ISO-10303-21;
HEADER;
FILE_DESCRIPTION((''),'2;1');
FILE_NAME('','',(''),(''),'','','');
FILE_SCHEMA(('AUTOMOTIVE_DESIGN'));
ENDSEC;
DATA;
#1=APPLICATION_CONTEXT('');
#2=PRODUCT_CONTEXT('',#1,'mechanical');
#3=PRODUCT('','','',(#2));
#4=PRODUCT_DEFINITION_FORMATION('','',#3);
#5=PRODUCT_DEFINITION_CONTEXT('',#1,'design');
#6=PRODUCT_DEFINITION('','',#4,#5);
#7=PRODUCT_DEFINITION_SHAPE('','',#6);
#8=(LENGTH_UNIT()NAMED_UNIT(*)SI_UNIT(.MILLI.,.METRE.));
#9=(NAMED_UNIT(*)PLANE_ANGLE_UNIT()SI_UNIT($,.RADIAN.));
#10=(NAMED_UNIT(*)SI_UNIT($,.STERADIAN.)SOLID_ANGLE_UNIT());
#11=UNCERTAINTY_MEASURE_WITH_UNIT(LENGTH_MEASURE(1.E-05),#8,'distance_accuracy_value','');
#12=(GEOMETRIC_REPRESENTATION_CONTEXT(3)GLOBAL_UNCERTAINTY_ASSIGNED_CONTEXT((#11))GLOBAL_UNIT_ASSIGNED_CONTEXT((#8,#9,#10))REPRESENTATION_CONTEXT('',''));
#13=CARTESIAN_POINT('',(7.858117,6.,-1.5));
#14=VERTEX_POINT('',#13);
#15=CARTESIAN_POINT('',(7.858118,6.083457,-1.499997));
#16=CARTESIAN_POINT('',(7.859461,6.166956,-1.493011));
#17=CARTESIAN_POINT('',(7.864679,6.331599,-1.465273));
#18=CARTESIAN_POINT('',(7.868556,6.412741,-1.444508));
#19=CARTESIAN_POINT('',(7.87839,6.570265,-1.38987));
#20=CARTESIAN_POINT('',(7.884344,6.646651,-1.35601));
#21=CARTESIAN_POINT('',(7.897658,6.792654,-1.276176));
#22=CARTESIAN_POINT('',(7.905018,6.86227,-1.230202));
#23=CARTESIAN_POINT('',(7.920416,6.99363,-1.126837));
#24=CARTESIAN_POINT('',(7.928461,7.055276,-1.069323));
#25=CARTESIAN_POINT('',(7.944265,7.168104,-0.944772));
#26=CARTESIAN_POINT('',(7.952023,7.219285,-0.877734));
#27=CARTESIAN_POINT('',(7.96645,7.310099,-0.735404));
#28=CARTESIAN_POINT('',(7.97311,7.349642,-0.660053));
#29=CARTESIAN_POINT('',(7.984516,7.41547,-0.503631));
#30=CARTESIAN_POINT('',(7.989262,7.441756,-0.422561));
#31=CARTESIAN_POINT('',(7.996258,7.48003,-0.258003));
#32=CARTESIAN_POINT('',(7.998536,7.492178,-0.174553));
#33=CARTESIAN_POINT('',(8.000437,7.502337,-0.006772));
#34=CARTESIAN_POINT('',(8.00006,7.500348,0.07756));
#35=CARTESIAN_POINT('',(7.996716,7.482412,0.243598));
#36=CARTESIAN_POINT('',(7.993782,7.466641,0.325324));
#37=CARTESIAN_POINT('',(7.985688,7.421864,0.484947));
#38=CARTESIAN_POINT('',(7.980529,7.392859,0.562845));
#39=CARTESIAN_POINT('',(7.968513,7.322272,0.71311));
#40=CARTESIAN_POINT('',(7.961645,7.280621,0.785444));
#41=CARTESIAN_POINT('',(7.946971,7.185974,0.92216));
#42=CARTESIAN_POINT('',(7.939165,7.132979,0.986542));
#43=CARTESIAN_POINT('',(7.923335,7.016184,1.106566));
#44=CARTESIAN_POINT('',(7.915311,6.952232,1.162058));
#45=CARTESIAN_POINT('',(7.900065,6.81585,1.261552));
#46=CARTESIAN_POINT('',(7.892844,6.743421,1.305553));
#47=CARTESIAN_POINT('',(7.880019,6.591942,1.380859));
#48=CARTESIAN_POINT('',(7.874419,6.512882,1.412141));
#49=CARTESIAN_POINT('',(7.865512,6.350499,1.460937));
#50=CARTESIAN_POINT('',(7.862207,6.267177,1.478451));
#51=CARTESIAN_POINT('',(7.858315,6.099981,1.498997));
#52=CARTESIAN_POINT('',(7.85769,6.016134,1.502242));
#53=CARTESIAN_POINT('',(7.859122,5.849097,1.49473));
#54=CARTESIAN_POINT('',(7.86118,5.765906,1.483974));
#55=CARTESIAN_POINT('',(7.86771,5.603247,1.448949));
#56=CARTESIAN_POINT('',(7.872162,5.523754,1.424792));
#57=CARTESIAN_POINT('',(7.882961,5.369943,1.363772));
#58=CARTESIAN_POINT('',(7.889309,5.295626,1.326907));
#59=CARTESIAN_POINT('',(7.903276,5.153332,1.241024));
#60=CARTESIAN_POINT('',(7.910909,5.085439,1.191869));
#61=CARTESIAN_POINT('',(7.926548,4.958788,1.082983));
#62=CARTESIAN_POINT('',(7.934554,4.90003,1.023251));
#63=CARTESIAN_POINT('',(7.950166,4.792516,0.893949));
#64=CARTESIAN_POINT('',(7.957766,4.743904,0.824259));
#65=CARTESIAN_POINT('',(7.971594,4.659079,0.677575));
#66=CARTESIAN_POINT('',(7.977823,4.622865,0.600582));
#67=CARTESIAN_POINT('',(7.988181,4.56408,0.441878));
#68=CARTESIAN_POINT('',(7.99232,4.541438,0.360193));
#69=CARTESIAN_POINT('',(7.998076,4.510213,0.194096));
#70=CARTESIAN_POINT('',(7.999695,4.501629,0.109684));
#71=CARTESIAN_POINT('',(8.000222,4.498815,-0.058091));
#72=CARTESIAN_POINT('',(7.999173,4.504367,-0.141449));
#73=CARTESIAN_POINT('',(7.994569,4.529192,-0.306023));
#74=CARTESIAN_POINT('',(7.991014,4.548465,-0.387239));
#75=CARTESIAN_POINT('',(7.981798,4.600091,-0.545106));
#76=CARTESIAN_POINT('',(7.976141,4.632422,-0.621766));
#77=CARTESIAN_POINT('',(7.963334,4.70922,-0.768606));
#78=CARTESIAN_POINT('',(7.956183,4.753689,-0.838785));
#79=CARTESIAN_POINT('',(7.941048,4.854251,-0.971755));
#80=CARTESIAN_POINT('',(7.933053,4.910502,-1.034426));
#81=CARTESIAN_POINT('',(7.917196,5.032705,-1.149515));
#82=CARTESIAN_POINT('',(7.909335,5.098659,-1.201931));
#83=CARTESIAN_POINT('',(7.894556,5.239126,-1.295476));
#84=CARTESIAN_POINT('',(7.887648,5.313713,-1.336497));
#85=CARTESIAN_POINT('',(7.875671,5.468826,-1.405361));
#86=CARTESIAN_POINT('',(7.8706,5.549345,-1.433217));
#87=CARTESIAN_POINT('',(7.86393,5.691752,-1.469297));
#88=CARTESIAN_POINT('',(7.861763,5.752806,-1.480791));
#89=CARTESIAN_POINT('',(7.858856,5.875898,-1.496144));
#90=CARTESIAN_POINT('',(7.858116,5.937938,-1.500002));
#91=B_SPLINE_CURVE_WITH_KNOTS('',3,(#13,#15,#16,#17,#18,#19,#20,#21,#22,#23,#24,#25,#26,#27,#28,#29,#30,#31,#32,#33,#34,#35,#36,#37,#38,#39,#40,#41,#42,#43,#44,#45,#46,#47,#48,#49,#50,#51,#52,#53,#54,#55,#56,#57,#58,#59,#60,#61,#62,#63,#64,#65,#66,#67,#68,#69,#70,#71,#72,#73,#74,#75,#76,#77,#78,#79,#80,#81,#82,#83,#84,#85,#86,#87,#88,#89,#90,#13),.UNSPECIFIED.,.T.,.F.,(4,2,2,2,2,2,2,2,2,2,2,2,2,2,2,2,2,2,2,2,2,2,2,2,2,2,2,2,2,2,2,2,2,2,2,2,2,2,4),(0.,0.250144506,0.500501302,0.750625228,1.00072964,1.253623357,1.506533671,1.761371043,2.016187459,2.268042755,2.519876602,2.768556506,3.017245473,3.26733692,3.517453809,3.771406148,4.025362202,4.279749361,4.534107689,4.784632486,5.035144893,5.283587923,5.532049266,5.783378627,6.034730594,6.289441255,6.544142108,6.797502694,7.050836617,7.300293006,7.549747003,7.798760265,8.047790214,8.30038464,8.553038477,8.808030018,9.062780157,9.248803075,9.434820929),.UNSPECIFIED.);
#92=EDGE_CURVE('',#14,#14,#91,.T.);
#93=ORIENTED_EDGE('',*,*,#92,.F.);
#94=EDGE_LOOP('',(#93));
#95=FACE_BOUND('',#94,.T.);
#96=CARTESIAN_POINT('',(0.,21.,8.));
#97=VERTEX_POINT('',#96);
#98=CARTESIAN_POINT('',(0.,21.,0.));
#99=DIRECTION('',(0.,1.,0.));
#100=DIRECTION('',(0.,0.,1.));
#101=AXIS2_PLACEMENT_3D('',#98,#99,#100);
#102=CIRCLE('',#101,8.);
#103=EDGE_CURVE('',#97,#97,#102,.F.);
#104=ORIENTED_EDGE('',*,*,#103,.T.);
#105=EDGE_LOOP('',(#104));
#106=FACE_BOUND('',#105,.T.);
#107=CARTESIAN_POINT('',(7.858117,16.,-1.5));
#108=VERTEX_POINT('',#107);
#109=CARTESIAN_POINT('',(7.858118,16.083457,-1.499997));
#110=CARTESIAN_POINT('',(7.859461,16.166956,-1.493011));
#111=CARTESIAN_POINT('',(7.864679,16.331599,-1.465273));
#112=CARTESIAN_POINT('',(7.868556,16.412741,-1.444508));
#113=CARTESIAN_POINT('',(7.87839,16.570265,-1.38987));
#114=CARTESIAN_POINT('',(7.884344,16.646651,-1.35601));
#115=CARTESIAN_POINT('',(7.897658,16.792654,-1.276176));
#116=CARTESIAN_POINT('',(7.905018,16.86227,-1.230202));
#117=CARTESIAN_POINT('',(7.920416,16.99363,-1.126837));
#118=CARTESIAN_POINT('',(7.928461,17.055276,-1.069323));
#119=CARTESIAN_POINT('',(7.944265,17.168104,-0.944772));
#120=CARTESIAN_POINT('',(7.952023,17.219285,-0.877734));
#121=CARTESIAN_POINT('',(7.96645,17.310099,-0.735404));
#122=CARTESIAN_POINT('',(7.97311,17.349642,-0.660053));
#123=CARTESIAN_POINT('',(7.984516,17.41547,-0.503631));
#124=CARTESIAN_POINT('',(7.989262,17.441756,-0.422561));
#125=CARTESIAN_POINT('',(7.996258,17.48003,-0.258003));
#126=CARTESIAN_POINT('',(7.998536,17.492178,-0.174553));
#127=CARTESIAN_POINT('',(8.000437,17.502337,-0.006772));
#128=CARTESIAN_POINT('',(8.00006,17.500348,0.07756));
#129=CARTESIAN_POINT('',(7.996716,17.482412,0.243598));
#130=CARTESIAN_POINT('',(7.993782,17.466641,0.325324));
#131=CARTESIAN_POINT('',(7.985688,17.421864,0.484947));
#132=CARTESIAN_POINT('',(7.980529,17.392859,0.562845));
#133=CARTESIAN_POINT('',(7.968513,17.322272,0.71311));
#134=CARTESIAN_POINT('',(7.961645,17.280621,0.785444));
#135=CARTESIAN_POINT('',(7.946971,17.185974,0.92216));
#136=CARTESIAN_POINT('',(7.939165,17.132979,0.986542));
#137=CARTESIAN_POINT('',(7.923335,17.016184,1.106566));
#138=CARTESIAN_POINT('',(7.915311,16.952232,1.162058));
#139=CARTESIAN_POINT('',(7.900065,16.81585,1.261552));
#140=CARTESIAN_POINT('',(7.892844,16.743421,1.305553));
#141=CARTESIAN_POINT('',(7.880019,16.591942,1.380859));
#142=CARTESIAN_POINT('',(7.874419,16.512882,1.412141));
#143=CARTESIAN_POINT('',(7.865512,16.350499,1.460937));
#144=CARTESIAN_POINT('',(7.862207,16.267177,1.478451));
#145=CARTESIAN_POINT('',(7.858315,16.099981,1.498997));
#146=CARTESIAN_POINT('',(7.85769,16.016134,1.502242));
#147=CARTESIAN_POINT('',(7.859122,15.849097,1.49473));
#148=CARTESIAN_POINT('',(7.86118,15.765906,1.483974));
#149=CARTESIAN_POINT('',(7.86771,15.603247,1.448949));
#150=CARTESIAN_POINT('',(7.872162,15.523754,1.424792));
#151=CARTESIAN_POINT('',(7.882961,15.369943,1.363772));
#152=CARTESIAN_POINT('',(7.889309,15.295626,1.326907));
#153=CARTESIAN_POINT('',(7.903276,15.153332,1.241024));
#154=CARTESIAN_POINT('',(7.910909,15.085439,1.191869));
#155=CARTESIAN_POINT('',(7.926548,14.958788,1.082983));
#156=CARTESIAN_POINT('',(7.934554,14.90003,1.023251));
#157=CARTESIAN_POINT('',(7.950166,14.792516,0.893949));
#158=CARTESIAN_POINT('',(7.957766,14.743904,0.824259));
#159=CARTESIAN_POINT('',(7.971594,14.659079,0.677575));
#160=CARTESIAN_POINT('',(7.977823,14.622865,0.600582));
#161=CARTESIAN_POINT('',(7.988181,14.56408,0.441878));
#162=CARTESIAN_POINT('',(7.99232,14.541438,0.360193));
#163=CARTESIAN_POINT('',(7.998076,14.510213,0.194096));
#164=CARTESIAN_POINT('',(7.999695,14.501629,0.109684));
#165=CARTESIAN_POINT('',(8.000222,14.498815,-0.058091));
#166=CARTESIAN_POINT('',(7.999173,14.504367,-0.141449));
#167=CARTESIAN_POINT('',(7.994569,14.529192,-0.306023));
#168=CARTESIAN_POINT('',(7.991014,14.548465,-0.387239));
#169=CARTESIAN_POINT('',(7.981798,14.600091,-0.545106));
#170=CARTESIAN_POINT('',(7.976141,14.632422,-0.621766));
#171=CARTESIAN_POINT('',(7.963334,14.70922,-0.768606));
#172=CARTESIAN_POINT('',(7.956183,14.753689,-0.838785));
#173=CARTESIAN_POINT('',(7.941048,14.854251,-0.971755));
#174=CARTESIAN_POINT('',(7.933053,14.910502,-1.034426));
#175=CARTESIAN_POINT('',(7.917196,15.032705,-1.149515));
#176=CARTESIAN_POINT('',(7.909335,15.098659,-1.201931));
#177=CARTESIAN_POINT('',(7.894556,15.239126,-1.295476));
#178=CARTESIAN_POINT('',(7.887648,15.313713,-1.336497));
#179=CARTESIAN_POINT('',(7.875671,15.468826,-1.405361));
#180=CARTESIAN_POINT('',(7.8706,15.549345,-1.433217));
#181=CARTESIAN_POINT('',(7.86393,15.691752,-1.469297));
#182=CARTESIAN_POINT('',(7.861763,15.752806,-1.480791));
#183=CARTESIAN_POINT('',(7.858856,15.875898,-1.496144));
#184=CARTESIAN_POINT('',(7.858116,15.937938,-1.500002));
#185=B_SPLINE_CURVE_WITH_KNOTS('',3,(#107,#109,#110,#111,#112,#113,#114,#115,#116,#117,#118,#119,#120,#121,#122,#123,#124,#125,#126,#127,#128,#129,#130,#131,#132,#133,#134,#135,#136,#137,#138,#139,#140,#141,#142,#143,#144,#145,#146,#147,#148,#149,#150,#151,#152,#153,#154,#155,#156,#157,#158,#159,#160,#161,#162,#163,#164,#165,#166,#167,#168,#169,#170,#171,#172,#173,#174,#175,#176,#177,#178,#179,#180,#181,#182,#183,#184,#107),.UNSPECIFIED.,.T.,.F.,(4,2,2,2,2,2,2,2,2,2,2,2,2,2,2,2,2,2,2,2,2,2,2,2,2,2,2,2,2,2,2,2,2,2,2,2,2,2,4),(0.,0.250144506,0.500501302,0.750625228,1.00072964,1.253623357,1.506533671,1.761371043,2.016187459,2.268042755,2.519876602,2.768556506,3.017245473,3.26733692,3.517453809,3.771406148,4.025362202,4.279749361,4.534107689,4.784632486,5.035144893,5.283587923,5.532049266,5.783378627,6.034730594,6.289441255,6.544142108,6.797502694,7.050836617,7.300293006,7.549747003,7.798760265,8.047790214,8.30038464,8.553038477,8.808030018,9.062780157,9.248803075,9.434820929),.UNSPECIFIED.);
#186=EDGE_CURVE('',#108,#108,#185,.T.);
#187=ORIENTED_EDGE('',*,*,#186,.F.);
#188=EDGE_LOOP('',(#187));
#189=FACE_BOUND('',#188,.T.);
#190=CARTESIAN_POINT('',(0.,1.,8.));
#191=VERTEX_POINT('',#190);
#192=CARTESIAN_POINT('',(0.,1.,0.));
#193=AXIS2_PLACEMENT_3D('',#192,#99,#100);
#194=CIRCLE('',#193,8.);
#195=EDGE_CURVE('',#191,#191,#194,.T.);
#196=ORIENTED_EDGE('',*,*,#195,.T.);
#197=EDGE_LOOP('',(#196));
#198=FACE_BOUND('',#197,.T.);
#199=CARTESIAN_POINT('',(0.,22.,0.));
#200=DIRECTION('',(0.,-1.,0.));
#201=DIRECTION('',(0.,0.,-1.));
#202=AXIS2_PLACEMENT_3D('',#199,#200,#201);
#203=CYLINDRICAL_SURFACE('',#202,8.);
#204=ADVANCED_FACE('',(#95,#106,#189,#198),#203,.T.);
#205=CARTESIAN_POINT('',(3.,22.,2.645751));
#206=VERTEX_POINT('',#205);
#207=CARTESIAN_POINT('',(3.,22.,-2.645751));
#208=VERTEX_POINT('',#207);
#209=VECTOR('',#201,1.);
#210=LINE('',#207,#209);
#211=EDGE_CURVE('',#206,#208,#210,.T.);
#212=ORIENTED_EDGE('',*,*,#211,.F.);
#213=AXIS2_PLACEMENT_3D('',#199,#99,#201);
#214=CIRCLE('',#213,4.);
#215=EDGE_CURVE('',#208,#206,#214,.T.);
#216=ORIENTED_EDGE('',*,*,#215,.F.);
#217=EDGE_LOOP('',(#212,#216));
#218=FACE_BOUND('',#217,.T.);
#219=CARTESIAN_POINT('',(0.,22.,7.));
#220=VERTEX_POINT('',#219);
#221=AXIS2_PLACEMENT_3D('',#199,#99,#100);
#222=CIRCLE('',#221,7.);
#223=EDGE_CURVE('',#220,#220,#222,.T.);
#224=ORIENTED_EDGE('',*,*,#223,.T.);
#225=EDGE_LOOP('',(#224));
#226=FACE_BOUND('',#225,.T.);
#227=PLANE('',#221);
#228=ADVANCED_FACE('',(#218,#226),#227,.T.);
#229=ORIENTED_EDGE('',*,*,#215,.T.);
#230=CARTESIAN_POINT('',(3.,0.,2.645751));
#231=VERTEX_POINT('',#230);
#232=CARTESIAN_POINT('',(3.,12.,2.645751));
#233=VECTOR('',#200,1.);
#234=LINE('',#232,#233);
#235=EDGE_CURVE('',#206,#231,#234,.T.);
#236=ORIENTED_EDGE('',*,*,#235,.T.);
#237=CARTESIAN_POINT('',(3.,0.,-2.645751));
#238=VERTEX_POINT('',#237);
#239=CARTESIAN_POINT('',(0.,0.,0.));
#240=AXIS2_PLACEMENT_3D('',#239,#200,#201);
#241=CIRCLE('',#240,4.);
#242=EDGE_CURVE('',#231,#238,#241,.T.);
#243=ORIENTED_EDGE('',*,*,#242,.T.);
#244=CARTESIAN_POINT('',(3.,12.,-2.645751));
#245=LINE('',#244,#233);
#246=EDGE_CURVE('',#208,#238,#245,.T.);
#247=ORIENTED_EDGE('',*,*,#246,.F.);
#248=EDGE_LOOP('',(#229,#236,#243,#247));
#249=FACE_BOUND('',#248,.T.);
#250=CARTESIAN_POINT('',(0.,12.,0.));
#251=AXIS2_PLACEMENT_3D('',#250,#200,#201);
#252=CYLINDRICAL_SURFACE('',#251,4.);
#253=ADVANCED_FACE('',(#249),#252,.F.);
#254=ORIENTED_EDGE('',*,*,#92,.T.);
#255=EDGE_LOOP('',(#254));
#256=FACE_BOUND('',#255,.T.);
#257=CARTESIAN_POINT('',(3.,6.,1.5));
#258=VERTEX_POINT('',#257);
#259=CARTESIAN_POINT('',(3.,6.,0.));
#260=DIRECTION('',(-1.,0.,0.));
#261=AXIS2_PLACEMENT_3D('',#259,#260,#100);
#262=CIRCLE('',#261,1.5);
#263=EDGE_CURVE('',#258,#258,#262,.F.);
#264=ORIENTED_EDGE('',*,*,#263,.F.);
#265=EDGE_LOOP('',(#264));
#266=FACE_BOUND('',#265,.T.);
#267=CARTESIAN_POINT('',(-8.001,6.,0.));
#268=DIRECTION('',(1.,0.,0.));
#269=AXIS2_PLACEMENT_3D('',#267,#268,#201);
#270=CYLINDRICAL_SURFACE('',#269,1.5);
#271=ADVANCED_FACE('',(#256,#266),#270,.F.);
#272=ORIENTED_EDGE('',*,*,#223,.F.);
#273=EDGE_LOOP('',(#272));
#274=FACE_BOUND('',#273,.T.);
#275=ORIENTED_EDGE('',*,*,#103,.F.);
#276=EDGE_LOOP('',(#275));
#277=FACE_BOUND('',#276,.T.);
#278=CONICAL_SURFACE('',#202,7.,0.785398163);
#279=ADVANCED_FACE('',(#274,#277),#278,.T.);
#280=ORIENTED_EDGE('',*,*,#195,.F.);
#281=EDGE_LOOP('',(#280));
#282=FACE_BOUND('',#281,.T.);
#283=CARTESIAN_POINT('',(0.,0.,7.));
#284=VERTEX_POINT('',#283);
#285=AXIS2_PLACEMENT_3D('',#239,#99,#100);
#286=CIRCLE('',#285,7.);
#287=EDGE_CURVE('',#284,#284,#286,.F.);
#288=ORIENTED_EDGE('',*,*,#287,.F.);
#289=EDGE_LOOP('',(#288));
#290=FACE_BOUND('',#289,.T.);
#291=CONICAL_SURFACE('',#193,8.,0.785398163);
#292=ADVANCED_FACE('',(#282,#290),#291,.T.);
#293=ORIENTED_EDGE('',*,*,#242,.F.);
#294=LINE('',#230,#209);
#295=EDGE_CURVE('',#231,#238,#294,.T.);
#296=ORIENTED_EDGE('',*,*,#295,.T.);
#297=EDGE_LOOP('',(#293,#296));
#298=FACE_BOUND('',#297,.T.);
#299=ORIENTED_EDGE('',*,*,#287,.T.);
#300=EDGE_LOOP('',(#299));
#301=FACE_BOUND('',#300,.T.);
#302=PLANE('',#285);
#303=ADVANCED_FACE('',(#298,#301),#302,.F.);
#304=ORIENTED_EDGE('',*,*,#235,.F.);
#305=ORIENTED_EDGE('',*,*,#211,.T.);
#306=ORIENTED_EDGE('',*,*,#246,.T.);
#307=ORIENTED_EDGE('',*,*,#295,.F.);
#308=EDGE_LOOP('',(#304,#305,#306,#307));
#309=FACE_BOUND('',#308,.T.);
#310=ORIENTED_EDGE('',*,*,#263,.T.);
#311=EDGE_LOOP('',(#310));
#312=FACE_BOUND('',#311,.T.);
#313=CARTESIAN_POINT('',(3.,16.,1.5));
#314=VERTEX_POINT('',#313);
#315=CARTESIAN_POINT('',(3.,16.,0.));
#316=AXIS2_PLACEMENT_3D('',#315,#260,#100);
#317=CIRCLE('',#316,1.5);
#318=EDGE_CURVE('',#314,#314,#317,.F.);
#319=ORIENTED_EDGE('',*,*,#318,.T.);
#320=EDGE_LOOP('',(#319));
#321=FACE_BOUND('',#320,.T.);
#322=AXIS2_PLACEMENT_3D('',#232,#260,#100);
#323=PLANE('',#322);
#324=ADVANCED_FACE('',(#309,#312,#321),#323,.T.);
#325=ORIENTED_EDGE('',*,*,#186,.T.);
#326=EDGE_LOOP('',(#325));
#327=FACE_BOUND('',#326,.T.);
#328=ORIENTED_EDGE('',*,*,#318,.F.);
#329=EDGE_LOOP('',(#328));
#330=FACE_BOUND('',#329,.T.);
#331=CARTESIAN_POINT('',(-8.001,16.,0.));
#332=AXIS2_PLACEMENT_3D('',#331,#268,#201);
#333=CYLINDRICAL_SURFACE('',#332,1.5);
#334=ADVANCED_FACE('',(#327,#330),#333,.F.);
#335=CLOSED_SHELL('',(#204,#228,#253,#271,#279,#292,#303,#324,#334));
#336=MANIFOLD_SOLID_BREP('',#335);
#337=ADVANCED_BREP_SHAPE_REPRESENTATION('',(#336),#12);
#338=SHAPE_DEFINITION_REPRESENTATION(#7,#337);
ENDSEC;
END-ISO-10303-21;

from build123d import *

# Parameters (mm, degrees)
SKETCH1_R           = 8
BOSS_EXTRUDE1_DEPTH = 22
CUT_EXTRUDE3_DEPTH  = 12
CUT_EXTRUDE4_DEPTH  = 10
CHAMFER1_SIZE       = 1
CUT_EXTRUDE5_REACH  = 18
SKETCH4_R           = 1.5


with BuildPart() as part:
    # Sketch1 → Boss-Extrude1 (new body)
    with BuildSketch(Plane(origin=(0, 0, 0), x_dir=(1, 0, 0), z_dir=(0, 1, 0))):
        Circle(SKETCH1_R)
    extrude(amount=BOSS_EXTRUDE1_DEPTH)

    # Sketch3 → Cut-Extrude3 (cut)
    with BuildSketch(Plane.XZ):
        with BuildLine():
            Line((3, 2.645751311), (3, -2.645751311))
            ThreePointArc((3, -2.645751311), (-4, 0), (3, 2.645751311))
        make_face()
    extrude(amount=-CUT_EXTRUDE3_DEPTH, mode=Mode.SUBTRACT)

    # Sketch2 → Cut-Extrude4 (cut)
    with BuildSketch(Plane(origin=(0, 22, 0), x_dir=(1, 0, 0), z_dir=(0, 1, 0))):
        with BuildLine():
            Line((3, 2.645751311), (3, -2.645751311))
            ThreePointArc((3, -2.645751311), (1.645751311, -3.645751311), (0, -4))
            ThreePointArc((0, -4), (-4, 0), (0, 4))
            ThreePointArc((0, 4), (1.645751311, 3.645751311), (3, 2.645751311))
        make_face()
    extrude(amount=-CUT_EXTRUDE4_DEPTH, mode=Mode.SUBTRACT)

    # Chamfer1
    chamfer1_edges = [part.edges().sort_by_distance(p)[0] for p in [
        (-8, 0, 0),
        (-8, 22, 0),
    ]]
    chamfer(chamfer1_edges, length=CHAMFER1_SIZE)

    # Sketch4 → Cut-Extrude5 (cut, up to next)
    with BuildSketch(Plane(origin=(8, 0, 0), x_dir=(0, 0, -1), z_dir=(1, 0, 0)), mode=Mode.PRIVATE) as cut_extrude5_sk1:
        with Locations((0, 16)):
            Circle(SKETCH4_R)
    cut_extrude5_tool1 = extrude(cut_extrude5_sk1.sketch, amount=-CUT_EXTRUDE5_REACH, mode=Mode.PRIVATE) & part.part
    add(cut_extrude5_tool1.solids().sort_by_distance((8, 16, 0))[0], mode=Mode.SUBTRACT)
    # Sketch4 → Cut-Extrude5 (cut, up to next)
    with BuildSketch(Plane(origin=(8, 0, 0), x_dir=(0, 0, -1), z_dir=(1, 0, 0)), mode=Mode.PRIVATE) as cut_extrude5_sk2:
        with Locations((0, 6)):
            Circle(SKETCH4_R)
    cut_extrude5_tool2 = extrude(cut_extrude5_sk2.sketch, amount=-CUT_EXTRUDE5_REACH, mode=Mode.PRIVATE) & part.part
    add(cut_extrude5_tool2.solids().sort_by_distance((8, 6, 0))[0], mode=Mode.SUBTRACT)


solid = part.part
